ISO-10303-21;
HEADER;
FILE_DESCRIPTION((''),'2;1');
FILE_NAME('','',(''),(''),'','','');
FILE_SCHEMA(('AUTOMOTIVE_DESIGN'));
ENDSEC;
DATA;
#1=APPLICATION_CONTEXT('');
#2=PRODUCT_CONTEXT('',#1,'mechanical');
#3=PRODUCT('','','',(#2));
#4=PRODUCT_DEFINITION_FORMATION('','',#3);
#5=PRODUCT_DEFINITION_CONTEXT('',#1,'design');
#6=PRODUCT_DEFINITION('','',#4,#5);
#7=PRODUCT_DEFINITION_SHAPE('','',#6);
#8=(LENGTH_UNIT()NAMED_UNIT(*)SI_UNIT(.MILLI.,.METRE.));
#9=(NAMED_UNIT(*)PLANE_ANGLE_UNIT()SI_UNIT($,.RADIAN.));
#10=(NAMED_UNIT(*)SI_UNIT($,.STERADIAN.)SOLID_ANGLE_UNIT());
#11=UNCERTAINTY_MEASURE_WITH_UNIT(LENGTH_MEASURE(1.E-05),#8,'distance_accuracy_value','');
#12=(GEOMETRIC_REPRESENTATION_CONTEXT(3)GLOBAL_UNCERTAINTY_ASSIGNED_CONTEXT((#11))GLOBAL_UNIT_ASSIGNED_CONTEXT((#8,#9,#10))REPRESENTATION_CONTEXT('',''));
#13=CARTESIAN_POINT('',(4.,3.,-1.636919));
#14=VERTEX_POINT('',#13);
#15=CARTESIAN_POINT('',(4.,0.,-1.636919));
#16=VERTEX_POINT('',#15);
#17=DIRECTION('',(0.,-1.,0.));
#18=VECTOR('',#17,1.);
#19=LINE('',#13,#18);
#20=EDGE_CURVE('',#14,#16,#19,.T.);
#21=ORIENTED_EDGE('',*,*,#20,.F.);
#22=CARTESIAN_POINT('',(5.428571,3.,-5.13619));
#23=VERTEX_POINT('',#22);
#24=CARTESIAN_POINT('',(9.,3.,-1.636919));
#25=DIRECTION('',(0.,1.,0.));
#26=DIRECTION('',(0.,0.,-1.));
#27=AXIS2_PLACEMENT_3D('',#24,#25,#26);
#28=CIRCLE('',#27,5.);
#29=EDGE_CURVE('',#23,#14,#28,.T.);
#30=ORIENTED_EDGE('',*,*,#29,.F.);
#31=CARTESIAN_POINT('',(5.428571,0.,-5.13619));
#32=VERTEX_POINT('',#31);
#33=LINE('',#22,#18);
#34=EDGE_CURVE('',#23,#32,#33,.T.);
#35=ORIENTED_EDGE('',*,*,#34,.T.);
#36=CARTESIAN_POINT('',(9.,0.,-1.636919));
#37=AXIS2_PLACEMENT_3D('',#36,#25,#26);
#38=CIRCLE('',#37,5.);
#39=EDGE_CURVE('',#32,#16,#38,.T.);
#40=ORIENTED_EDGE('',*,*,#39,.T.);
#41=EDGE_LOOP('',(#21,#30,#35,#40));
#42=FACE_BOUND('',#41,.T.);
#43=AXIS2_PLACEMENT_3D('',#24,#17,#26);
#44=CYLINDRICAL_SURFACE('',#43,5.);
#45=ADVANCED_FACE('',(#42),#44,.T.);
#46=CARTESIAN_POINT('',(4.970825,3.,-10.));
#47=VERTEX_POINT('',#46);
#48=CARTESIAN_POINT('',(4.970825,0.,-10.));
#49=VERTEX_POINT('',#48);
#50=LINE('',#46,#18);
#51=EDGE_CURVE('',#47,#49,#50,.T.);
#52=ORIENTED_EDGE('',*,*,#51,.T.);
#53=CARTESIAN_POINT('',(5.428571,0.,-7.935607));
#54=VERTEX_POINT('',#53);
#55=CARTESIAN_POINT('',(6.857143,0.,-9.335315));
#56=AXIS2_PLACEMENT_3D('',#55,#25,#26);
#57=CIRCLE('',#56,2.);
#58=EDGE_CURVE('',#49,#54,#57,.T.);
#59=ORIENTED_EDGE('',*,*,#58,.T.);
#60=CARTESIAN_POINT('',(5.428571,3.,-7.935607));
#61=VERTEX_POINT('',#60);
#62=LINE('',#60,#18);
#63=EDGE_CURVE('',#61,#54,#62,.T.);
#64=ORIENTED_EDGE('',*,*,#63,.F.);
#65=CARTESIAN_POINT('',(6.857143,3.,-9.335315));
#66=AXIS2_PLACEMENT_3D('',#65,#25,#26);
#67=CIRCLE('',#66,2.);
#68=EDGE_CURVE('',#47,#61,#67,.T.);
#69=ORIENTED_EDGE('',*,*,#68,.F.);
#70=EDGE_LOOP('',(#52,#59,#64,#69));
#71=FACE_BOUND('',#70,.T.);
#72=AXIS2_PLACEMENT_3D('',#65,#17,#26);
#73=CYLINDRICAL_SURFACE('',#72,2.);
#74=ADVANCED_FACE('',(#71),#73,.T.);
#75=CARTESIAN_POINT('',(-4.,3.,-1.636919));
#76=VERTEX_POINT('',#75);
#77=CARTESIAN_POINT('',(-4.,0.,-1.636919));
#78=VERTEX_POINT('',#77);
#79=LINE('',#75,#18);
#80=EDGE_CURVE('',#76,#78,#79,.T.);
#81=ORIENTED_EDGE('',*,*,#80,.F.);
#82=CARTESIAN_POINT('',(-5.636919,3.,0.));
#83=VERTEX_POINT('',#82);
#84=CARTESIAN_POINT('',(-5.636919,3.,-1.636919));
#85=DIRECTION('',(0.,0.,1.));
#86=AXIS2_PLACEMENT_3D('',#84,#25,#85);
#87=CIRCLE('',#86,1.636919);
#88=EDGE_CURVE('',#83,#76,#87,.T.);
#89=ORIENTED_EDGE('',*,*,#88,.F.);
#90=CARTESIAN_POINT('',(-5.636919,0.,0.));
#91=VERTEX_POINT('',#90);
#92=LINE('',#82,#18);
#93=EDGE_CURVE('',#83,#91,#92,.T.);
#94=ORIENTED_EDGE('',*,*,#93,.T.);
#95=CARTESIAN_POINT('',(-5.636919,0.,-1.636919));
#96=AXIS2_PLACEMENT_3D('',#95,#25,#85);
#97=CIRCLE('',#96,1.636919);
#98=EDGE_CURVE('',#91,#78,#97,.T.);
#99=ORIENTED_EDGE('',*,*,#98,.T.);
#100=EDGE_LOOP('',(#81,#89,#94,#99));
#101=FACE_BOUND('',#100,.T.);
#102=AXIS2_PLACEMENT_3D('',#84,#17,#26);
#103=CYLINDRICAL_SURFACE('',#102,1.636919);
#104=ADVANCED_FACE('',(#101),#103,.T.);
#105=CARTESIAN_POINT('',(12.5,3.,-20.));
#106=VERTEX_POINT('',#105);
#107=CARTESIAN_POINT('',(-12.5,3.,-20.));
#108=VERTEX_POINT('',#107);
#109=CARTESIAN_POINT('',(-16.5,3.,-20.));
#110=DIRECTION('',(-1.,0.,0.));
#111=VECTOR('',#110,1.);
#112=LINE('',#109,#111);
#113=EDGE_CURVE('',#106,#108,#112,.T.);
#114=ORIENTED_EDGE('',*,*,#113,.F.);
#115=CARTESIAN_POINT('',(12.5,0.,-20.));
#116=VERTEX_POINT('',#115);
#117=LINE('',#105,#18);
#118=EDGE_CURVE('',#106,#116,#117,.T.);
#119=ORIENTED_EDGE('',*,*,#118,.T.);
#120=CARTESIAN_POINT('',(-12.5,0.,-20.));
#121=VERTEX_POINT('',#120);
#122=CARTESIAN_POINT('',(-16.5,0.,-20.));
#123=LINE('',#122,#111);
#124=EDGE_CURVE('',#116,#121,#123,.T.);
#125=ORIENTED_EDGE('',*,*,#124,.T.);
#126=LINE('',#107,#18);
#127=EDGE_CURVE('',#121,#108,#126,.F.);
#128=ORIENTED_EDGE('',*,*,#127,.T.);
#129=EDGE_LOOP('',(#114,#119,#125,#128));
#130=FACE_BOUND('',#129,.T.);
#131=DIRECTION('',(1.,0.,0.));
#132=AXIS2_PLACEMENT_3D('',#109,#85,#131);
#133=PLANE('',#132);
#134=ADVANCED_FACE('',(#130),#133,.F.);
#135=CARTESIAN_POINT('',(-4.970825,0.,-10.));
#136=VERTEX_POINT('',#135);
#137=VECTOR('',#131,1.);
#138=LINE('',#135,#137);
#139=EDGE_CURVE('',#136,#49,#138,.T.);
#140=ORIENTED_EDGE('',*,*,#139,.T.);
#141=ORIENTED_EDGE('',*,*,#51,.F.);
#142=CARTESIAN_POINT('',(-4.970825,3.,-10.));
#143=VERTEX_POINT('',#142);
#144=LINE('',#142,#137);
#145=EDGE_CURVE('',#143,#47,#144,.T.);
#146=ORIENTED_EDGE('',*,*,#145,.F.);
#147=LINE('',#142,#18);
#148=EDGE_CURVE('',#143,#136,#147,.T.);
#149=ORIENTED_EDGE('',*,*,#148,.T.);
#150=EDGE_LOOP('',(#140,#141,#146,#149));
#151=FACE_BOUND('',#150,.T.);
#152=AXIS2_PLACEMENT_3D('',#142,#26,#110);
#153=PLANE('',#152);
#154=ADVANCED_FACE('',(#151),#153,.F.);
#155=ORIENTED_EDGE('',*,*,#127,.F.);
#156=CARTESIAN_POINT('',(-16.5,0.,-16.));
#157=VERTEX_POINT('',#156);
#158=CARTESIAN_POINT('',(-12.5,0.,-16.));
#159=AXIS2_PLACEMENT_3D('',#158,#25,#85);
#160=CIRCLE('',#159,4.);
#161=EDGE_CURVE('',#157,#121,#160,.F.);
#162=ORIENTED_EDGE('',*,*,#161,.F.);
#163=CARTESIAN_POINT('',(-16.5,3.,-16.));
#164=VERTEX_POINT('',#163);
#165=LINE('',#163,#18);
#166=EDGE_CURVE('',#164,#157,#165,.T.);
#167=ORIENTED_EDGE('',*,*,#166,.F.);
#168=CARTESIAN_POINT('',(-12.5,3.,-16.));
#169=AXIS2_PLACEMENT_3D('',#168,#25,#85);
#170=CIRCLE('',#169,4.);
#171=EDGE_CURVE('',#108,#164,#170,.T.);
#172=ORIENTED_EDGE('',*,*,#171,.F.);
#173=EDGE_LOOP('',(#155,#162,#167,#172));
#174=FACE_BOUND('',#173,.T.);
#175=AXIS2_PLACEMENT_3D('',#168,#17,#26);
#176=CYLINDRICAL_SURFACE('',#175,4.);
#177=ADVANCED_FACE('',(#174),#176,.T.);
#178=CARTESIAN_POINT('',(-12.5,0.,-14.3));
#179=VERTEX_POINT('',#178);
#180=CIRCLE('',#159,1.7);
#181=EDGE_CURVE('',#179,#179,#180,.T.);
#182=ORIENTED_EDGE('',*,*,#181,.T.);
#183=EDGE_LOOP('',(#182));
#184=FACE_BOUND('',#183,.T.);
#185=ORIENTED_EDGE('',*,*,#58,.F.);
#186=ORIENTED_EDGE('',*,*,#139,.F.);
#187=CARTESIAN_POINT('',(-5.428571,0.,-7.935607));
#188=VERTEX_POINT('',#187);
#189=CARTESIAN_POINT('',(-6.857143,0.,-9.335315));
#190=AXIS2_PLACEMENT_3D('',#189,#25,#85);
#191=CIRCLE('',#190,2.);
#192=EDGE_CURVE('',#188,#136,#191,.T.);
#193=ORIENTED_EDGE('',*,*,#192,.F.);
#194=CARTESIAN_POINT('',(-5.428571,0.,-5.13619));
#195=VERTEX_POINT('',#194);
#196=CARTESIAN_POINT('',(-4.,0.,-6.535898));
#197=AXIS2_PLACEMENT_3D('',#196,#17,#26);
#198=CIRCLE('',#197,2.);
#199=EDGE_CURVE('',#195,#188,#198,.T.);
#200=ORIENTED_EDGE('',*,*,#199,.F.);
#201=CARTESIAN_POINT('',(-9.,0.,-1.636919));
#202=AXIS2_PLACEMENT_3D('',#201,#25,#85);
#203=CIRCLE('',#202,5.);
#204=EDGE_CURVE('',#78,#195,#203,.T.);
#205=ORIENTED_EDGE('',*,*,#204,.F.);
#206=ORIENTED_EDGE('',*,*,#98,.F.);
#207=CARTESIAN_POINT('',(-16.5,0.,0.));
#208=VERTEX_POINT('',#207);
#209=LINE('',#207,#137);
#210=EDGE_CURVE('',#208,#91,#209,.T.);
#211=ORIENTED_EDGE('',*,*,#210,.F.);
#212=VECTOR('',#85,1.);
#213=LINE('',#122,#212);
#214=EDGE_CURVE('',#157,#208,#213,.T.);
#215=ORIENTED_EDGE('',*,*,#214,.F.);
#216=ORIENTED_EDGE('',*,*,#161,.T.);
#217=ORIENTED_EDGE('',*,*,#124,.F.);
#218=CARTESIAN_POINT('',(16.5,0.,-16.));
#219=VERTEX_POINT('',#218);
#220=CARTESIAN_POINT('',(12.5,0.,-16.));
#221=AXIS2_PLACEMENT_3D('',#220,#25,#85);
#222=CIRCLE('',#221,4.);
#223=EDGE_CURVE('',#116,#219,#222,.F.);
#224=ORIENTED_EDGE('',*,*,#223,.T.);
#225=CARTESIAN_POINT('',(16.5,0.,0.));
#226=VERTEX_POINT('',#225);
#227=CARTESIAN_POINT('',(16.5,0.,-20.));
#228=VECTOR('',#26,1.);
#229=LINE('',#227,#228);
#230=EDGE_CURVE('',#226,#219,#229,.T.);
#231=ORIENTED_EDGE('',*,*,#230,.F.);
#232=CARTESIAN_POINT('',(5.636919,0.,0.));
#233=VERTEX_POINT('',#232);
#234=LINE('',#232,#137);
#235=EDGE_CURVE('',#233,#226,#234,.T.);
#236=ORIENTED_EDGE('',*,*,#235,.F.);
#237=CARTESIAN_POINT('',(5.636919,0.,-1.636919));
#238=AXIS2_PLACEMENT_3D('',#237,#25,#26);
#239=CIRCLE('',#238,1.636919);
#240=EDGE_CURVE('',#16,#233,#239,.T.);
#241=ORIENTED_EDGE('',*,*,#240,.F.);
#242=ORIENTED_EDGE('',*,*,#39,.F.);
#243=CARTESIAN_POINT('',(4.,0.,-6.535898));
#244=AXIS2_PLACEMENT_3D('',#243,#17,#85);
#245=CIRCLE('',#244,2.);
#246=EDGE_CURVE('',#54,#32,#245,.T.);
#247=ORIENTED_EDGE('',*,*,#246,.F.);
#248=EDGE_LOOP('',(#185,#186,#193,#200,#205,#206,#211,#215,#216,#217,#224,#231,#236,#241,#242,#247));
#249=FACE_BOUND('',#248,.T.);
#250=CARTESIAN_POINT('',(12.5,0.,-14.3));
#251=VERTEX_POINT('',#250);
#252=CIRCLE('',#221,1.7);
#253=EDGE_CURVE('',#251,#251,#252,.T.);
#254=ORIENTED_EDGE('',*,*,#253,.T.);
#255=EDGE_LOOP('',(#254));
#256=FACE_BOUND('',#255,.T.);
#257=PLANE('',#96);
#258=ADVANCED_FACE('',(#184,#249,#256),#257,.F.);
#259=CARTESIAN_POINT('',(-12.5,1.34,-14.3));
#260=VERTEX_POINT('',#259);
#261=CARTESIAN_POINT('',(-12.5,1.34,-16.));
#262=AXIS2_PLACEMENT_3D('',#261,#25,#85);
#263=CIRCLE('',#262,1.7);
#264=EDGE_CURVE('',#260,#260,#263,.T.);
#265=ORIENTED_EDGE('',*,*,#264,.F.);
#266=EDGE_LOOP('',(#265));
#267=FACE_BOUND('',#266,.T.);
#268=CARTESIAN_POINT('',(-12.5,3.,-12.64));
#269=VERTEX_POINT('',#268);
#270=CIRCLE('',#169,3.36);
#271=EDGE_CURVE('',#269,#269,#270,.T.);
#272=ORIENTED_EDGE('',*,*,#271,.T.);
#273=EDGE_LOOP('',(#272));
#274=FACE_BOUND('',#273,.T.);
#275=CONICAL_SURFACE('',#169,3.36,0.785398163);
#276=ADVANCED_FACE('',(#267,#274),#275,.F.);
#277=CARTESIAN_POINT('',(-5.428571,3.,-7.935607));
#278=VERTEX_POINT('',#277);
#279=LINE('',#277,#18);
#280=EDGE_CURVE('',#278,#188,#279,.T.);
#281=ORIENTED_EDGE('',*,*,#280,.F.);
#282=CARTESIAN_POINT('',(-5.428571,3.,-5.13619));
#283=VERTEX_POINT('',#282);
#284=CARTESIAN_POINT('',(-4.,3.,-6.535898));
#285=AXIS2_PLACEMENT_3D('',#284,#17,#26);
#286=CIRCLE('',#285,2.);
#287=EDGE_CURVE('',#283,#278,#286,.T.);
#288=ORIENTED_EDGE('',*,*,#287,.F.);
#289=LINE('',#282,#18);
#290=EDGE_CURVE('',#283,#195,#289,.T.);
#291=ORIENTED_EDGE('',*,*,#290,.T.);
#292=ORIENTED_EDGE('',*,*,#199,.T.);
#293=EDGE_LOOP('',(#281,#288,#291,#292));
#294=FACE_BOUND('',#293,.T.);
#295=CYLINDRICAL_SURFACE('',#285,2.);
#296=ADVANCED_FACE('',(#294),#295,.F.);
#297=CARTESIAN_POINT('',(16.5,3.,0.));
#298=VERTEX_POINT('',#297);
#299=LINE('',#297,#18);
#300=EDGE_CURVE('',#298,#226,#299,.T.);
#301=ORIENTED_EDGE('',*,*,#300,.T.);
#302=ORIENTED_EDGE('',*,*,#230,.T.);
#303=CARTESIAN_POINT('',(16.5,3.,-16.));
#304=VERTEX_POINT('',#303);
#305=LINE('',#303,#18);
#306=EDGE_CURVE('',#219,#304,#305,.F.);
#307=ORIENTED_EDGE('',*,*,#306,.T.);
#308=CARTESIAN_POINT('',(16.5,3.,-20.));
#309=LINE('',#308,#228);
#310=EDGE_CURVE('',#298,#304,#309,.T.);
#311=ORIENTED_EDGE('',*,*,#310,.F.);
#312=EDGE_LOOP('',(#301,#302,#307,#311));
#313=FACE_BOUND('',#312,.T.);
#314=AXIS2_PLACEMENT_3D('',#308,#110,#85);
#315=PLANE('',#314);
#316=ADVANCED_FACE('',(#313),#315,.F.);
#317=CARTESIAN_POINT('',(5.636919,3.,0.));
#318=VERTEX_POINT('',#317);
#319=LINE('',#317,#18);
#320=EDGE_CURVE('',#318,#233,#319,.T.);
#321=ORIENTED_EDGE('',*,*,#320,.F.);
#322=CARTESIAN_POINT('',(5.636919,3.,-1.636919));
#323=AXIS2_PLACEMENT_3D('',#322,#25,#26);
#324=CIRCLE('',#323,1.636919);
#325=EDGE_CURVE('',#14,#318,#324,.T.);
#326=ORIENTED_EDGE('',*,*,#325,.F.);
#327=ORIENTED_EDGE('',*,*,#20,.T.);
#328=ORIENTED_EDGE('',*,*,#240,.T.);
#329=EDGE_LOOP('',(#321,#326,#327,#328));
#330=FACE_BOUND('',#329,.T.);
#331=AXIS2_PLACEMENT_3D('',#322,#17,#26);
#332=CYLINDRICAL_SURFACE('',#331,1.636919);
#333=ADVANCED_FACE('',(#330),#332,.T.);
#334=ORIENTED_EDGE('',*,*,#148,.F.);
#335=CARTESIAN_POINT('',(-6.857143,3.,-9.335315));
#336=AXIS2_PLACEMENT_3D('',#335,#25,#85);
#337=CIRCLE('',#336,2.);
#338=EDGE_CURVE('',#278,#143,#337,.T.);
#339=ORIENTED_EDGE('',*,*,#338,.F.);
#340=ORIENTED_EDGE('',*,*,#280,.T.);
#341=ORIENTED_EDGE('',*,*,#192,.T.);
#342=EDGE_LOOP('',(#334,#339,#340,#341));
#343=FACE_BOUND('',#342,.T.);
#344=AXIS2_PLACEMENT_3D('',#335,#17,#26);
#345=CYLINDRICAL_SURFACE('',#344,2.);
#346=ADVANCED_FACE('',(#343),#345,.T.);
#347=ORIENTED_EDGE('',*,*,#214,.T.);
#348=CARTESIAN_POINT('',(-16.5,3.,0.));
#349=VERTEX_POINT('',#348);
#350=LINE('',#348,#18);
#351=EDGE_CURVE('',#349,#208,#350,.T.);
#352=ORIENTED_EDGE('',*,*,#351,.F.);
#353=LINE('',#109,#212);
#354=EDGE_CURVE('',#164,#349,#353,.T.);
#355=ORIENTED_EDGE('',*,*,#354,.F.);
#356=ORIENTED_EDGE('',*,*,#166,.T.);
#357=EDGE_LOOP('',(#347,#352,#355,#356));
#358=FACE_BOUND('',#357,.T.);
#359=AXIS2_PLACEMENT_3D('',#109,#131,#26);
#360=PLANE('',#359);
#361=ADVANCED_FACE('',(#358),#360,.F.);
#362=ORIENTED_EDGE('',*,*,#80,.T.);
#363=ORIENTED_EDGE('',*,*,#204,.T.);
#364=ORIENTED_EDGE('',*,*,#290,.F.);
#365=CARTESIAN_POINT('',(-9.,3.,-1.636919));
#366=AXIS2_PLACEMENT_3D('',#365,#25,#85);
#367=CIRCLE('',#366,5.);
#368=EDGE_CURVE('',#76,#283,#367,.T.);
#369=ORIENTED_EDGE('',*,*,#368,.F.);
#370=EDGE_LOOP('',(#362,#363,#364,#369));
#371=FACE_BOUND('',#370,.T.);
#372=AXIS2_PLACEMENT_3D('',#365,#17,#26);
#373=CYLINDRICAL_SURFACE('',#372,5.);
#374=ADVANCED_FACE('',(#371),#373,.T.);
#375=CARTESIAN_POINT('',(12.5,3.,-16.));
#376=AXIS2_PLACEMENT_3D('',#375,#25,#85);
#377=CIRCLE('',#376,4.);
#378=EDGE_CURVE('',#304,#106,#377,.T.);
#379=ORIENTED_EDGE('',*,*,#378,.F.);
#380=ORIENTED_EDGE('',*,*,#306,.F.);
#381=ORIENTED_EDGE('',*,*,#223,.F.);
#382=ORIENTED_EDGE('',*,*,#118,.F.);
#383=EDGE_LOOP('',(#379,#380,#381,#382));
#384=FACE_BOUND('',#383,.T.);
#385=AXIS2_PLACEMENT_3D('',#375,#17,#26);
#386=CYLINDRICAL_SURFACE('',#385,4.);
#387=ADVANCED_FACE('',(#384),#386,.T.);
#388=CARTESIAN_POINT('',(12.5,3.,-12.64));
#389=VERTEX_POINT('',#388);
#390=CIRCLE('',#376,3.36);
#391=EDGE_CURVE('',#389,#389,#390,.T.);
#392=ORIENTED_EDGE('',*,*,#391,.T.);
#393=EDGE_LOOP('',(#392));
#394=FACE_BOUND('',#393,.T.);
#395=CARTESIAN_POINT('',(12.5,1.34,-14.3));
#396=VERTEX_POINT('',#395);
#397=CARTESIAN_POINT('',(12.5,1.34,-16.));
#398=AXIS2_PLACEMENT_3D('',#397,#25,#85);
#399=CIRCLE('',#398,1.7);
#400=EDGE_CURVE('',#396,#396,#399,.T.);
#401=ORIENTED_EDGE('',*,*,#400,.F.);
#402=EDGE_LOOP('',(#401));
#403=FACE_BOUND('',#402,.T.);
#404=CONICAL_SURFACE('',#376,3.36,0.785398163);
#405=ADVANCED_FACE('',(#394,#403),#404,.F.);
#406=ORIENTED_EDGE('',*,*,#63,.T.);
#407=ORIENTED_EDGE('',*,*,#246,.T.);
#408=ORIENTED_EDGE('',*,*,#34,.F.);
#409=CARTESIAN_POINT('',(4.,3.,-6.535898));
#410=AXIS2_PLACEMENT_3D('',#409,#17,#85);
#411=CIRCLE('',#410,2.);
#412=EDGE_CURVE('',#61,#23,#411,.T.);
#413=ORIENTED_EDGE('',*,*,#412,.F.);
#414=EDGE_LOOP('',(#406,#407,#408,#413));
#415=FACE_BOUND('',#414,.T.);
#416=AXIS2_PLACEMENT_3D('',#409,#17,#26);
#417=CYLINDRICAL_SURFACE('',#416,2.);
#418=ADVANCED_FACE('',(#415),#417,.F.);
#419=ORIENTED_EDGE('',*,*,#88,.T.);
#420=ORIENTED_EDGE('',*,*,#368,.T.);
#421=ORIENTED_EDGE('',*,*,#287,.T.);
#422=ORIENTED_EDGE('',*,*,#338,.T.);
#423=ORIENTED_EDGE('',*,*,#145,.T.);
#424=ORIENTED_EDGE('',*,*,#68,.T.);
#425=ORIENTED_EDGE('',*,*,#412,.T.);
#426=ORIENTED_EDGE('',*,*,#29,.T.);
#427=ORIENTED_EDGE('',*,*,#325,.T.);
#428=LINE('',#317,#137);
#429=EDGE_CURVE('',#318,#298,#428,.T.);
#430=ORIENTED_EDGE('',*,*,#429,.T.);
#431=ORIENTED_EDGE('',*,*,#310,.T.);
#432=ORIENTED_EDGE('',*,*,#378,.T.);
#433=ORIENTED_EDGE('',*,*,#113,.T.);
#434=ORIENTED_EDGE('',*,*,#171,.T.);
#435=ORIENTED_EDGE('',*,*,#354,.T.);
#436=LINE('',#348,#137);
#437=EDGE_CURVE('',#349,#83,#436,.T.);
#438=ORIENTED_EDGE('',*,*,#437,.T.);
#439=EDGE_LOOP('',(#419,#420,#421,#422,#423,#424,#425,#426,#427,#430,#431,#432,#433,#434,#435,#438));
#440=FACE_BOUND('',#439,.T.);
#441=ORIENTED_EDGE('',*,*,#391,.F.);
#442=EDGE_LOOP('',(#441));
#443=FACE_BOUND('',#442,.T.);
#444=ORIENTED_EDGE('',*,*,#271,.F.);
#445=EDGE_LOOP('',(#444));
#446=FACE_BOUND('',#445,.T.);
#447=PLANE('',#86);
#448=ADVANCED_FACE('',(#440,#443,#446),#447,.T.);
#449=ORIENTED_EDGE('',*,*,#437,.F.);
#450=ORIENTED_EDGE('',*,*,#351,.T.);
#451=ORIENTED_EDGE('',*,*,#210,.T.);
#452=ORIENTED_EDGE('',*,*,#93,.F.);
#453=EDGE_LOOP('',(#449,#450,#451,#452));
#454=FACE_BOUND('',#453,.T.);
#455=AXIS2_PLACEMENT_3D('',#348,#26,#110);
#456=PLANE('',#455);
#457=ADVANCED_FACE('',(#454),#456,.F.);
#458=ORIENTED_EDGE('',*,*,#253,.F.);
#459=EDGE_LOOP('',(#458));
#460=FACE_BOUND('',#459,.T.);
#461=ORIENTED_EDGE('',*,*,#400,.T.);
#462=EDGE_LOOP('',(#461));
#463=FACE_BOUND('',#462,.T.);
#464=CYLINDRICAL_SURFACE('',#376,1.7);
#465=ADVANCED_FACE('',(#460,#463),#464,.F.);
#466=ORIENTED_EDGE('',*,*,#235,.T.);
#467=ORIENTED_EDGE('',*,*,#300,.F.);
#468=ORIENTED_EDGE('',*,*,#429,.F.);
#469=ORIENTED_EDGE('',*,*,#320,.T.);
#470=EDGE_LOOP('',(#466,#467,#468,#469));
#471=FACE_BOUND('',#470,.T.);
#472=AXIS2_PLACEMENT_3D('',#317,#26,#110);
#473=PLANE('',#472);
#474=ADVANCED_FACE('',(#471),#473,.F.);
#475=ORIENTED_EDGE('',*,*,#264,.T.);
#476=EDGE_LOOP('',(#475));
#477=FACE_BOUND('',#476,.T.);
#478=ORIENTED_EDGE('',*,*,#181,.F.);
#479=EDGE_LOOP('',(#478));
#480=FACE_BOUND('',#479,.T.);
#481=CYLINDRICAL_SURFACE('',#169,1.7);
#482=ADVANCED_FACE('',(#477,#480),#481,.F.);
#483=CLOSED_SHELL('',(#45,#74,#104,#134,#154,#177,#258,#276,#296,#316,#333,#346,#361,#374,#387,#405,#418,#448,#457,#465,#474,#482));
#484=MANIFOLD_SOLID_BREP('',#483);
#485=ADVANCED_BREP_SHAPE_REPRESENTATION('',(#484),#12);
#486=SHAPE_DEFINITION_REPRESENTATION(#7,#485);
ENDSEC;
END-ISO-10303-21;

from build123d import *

# Parameters (mm, degrees)
BOSS_EXTRUDE1_DEPTH           = 3
CSK_FOR_M3_SFHCS1_D           = 3.4
CSK_FOR_M3_SFHCS1_DEPTH       = 10
CSK_FOR_M3_SFHCS1_CSINK_D     = 6.72
CSK_FOR_M3_SFHCS1_CSINK_ANGLE = 90
CSK_FOR_M3_SFHCS1_TIP         = 1.021463052
FILLET1_R                     = 4


with BuildPart() as part:
    # Sketch1 → Boss-Extrude1 (new body)
    with BuildSketch(Plane(origin=(0, 0, 0), x_dir=(1, 0, 0), z_dir=(0, 1, 0))):
        with BuildLine():
            Line((-16.5, 20), (16.5, 20))
            Line((16.5, 20), (16.5, 0))
            Line((16.5, 0), (5.636918899, 0))
            ThreePointArc((5.636918899, 0), (4.479442445, 0.479442445), (4, 1.636918899))
            ThreePointArc((4, 1.636918899), (4.370899501, 3.526741264), (5.428571429, 5.13618996))
            ThreePointArc((5.428571429, 5.13618996), (6, 6.535898385), (5.428571429, 7.935606809))
            ThreePointArc((5.428571429, 7.935606809), (4.904567081, 8.902362767), (4.970825238, 10))
            Line((4.970825238, 10), (-4.970825238, 10))
            ThreePointArc((-4.970825238, 10), (-4.904567081, 8.902362767), (-5.428571429, 7.935606809))
            ThreePointArc((-5.428571429, 7.935606809), (-6, 6.535898385), (-5.428571429, 5.13618996))
            ThreePointArc((-5.428571429, 5.13618996), (-4.370899501, 3.526741264), (-4, 1.636918899))
            ThreePointArc((-4, 1.636918899), (-4.479442445, 0.479442445), (-5.636918899, 0))
            Line((-5.636918899, 0), (-16.5, 0))
            Line((-16.5, 0), (-16.5, 20))
        make_face()
    extrude(amount=BOSS_EXTRUDE1_DEPTH)

    # CSK for M3 SFHCS1
    with Locations(Plane(origin=(0, 3, 0), x_dir=(1, 0, 0), z_dir=(0, 1, 0))):
        with Locations((12.5, 16), (-12.5, 16)):
            CounterSinkHole(CSK_FOR_M3_SFHCS1_D / 2, CSK_FOR_M3_SFHCS1_CSINK_D / 2, depth=CSK_FOR_M3_SFHCS1_DEPTH, counter_sink_angle=CSK_FOR_M3_SFHCS1_CSINK_ANGLE)
            with Locations((0, 0, -(CSK_FOR_M3_SFHCS1_DEPTH + CSK_FOR_M3_SFHCS1_TIP / 2))):  # 118° drill point
                Cone(0, CSK_FOR_M3_SFHCS1_D / 2, CSK_FOR_M3_SFHCS1_TIP, mode=Mode.SUBTRACT)

    # Fillet1
    fillet1_edges = [part.edges().sort_by_distance(p)[0] for p in [
        (-16.5, 1.5, -20),
        (16.5, 1.5, -20),
    ]]
    fillet(fillet1_edges, radius=FILLET1_R)


solid = part.part
